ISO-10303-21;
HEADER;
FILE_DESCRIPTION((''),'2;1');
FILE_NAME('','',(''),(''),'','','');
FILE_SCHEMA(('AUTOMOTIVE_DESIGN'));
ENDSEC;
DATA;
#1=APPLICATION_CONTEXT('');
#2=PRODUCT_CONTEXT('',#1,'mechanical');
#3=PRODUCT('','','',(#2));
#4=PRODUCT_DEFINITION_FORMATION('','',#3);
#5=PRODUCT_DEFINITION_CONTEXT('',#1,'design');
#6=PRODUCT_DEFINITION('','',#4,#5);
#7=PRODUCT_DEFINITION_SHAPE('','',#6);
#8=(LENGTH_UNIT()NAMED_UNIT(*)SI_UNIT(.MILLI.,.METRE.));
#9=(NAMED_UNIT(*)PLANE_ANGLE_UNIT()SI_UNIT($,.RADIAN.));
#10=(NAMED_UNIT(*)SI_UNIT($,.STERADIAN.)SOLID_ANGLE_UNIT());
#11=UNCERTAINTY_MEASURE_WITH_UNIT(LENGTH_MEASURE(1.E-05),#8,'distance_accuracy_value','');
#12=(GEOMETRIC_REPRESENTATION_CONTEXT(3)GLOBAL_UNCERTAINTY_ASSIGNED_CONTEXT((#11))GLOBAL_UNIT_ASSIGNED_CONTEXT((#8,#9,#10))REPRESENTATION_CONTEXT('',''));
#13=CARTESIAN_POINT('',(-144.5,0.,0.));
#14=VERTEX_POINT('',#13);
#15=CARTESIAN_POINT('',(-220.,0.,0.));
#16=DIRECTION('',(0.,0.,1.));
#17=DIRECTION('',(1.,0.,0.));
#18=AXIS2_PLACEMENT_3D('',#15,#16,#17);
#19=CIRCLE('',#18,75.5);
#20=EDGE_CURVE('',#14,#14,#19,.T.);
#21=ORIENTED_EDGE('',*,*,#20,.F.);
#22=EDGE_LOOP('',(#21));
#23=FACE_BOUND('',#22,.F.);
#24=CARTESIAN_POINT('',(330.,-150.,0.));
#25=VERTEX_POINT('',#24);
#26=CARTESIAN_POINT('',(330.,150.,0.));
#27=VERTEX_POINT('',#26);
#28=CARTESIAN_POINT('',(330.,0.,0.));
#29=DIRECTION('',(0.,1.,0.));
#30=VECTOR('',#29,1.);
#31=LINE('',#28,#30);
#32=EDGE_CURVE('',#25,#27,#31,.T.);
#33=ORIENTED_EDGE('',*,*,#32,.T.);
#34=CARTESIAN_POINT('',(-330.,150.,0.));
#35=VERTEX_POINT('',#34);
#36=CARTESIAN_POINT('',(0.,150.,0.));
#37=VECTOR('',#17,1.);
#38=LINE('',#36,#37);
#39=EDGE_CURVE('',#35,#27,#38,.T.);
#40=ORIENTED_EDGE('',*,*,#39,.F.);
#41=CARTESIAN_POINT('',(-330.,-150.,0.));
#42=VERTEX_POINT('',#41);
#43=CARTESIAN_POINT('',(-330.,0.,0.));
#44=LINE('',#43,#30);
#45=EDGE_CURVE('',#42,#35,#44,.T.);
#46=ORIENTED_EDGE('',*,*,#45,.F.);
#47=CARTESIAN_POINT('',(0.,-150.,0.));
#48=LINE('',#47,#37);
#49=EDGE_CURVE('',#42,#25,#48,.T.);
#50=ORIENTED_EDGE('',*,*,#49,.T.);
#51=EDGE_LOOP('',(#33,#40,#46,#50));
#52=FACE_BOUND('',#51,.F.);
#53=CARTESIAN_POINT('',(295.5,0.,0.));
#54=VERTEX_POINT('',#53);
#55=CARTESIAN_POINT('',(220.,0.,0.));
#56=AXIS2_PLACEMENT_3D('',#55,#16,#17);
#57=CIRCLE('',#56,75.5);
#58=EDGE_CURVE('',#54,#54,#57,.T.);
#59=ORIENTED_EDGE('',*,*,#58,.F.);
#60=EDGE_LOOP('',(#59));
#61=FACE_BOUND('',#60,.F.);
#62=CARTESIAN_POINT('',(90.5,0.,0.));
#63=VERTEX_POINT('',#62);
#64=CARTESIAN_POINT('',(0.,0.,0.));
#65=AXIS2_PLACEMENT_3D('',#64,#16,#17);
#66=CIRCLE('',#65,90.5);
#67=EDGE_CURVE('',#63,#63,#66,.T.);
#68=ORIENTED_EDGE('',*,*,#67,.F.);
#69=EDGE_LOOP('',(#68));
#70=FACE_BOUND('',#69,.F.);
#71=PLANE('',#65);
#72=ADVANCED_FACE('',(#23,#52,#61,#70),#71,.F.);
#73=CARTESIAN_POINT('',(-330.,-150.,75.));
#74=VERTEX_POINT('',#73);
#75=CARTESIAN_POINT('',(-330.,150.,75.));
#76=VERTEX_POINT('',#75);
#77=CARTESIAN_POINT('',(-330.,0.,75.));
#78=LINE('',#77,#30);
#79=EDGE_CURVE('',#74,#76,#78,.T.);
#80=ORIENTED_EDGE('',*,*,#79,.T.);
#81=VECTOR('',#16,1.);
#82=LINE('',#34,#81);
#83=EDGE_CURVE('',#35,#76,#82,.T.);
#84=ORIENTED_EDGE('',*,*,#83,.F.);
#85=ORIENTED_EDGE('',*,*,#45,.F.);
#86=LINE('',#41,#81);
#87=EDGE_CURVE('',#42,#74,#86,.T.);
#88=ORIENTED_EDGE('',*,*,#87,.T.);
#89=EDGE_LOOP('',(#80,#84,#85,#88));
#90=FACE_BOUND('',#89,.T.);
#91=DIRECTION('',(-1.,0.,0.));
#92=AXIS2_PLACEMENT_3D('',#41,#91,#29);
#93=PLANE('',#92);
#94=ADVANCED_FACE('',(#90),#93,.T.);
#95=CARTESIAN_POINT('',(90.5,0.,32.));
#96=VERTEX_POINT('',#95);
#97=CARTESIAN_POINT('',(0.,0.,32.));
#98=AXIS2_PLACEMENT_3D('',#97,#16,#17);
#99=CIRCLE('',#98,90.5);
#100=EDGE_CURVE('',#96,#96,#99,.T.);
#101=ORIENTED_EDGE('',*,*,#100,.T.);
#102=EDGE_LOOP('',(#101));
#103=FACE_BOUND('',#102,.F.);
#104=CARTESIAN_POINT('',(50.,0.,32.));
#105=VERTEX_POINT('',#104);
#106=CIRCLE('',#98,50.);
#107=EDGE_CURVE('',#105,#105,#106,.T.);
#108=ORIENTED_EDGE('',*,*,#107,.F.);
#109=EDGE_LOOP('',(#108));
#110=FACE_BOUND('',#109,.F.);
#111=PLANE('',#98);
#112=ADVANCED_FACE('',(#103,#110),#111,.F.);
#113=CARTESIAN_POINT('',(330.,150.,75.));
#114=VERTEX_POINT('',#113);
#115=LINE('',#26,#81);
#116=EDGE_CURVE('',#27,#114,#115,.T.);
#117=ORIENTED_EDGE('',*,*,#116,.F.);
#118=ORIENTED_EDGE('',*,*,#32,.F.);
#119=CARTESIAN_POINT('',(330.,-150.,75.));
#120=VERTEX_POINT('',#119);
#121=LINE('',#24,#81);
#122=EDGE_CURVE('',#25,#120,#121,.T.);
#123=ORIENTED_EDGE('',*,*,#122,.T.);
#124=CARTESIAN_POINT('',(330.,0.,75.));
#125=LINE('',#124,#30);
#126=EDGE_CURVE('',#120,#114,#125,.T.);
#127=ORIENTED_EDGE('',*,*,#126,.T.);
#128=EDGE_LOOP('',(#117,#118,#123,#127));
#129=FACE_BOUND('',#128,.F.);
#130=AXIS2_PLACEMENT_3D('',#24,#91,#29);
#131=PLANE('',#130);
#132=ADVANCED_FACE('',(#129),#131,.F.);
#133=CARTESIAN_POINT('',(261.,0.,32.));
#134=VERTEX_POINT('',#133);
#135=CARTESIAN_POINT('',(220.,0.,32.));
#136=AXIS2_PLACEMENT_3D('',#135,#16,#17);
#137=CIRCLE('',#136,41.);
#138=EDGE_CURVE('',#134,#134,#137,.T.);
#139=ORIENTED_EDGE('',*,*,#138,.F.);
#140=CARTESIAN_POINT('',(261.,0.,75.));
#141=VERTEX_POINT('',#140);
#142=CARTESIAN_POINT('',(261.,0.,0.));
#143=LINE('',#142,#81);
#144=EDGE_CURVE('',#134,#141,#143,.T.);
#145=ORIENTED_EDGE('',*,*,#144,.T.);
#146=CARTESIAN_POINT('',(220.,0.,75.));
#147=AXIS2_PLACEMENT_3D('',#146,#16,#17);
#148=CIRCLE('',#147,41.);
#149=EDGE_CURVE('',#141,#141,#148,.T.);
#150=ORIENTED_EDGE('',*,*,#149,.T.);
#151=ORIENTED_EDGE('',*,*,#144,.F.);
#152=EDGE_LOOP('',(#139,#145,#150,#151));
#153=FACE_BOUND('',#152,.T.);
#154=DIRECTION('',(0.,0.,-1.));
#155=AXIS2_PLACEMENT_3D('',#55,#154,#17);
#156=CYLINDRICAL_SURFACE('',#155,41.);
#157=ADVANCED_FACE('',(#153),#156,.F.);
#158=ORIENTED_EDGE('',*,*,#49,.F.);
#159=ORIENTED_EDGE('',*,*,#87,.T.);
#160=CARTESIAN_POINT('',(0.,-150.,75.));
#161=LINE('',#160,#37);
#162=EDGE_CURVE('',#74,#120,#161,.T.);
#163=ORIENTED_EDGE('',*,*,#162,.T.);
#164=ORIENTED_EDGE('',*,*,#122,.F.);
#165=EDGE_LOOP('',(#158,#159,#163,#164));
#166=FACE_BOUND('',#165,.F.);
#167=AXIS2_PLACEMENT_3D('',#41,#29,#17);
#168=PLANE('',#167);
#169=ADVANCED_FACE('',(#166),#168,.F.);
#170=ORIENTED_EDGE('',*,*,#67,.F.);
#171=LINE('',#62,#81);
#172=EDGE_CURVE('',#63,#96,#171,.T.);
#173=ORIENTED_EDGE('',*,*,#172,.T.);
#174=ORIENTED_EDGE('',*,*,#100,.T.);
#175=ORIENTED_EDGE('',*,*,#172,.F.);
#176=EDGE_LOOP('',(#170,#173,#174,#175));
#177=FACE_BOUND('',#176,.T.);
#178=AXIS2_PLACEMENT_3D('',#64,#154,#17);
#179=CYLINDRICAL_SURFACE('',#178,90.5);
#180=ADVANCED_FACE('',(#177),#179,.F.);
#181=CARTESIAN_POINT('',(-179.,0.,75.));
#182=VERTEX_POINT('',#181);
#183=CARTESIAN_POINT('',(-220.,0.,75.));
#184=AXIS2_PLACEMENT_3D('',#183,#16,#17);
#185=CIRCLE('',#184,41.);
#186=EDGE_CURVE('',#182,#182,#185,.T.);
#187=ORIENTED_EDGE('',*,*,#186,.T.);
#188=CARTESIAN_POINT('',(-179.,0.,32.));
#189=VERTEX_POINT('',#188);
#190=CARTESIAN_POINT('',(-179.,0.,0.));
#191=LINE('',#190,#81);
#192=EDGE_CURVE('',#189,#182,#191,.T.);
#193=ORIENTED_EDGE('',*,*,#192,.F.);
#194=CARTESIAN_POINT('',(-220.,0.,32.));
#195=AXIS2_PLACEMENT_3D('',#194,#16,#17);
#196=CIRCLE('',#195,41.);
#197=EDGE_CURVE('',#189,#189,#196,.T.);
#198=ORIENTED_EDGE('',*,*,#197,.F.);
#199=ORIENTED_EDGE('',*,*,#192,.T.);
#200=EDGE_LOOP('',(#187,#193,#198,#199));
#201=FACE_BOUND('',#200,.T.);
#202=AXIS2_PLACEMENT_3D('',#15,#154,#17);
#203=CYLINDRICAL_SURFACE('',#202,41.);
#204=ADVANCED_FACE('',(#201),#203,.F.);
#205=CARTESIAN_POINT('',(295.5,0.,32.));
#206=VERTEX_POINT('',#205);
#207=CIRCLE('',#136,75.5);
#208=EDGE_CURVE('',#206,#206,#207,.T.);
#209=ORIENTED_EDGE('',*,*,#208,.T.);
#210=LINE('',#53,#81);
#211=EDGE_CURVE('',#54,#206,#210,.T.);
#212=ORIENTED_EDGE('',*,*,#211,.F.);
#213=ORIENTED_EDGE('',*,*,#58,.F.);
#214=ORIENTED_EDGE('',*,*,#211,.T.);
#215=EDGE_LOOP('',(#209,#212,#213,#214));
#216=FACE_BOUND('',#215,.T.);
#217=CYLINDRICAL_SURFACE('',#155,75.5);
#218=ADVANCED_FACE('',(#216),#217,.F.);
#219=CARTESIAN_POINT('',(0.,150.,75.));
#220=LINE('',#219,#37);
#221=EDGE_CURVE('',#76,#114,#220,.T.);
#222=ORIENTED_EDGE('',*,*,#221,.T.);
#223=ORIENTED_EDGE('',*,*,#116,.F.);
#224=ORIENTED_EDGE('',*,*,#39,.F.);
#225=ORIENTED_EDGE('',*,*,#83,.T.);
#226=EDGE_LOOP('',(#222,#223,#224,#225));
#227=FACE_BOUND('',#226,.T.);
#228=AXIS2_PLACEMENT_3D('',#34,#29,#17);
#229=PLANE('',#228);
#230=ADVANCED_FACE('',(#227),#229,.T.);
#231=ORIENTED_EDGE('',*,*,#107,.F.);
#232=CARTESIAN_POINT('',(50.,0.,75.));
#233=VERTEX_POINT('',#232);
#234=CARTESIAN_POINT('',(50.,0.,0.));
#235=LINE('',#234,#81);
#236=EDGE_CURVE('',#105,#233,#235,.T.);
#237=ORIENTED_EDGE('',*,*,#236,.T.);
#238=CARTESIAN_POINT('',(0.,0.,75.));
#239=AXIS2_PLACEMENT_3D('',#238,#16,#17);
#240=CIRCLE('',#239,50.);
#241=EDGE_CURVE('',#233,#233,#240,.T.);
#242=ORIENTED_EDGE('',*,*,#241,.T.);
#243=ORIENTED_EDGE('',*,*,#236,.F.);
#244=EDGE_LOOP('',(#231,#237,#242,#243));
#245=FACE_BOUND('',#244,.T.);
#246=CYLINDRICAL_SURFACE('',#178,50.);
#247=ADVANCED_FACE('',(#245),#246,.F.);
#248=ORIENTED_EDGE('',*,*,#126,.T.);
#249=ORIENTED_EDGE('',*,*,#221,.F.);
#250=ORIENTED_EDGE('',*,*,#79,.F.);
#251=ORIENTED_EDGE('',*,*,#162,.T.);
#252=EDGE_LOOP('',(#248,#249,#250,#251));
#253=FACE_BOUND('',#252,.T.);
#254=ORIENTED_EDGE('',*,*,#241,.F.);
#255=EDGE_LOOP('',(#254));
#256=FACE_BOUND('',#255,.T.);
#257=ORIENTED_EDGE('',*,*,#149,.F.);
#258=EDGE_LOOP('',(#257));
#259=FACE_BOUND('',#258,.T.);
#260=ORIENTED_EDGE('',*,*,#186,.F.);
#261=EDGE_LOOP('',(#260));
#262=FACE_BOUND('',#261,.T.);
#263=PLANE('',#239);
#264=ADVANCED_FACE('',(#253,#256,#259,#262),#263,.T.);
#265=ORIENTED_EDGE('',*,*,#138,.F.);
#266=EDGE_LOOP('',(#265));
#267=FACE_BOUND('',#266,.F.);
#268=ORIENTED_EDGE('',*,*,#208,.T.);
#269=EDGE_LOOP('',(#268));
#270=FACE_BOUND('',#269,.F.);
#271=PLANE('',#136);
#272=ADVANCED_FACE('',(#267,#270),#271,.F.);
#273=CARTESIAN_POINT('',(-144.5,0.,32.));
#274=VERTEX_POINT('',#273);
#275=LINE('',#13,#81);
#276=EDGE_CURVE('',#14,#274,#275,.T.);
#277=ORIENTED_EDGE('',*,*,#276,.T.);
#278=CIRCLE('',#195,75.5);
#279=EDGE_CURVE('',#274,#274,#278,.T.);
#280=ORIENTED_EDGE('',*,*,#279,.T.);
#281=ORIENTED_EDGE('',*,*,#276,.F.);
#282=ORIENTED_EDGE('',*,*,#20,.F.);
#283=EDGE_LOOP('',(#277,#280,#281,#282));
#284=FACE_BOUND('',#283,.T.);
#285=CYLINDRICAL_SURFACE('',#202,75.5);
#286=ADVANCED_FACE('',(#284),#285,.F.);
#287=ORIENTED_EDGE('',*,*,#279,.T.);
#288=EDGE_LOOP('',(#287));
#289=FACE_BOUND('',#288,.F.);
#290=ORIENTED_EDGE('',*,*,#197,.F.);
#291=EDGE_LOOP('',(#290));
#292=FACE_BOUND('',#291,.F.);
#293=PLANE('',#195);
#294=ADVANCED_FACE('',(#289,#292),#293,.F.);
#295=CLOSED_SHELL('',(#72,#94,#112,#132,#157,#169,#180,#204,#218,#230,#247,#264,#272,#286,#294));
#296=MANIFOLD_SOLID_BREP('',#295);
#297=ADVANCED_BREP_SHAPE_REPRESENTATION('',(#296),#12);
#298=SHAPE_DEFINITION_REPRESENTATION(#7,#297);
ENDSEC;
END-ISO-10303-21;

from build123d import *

# Parameters (mm, degrees)
F0_W     = 660
F0_H     = 300
F0_R     = 75.5
F0_R_2   = 90.5
F0_R_3   = 41
F0_R_4   = 50
F1_DEPTH = 75
F2_DEPTH = 32


with BuildPart() as f1:
    # F0 (on Top) → F1 (new body)
    with BuildSketch(Plane.XY):
        Rectangle(F0_W, F0_H)
        with Locations((-220, 0)):
            Circle(F0_R, mode=Mode.SUBTRACT)
        Circle(F0_R_2, mode=Mode.SUBTRACT)
        with Locations((220, 0)):
            Circle(F0_R, mode=Mode.SUBTRACT)
        with Locations((-220, 0)):
            Circle(F0_R)
        with Locations((-220, 0)):
            Circle(F0_R_3, mode=Mode.SUBTRACT)
        Circle(F0_R_2)
        Circle(F0_R_4, mode=Mode.SUBTRACT)
        with Locations((220, 0)):
            Circle(F0_R)
        with Locations((220, 0)):
            Circle(F0_R_3, mode=Mode.SUBTRACT)
    extrude(amount=F1_DEPTH)

    # F0 (on Top) → F2 (cut)
    with BuildSketch(Plane.XY):
        with Locations((-220, 0)):
            Circle(F0_R)
        with Locations((-220, 0)):
            Circle(F0_R_3, mode=Mode.SUBTRACT)
        Circle(F0_R_2)
        Circle(F0_R_4, mode=Mode.SUBTRACT)
        with Locations((220, 0)):
            Circle(F0_R)
        with Locations((220, 0)):
            Circle(F0_R_3, mode=Mode.SUBTRACT)
    extrude(amount=F2_DEPTH, mode=Mode.SUBTRACT)


solid = f1.part
